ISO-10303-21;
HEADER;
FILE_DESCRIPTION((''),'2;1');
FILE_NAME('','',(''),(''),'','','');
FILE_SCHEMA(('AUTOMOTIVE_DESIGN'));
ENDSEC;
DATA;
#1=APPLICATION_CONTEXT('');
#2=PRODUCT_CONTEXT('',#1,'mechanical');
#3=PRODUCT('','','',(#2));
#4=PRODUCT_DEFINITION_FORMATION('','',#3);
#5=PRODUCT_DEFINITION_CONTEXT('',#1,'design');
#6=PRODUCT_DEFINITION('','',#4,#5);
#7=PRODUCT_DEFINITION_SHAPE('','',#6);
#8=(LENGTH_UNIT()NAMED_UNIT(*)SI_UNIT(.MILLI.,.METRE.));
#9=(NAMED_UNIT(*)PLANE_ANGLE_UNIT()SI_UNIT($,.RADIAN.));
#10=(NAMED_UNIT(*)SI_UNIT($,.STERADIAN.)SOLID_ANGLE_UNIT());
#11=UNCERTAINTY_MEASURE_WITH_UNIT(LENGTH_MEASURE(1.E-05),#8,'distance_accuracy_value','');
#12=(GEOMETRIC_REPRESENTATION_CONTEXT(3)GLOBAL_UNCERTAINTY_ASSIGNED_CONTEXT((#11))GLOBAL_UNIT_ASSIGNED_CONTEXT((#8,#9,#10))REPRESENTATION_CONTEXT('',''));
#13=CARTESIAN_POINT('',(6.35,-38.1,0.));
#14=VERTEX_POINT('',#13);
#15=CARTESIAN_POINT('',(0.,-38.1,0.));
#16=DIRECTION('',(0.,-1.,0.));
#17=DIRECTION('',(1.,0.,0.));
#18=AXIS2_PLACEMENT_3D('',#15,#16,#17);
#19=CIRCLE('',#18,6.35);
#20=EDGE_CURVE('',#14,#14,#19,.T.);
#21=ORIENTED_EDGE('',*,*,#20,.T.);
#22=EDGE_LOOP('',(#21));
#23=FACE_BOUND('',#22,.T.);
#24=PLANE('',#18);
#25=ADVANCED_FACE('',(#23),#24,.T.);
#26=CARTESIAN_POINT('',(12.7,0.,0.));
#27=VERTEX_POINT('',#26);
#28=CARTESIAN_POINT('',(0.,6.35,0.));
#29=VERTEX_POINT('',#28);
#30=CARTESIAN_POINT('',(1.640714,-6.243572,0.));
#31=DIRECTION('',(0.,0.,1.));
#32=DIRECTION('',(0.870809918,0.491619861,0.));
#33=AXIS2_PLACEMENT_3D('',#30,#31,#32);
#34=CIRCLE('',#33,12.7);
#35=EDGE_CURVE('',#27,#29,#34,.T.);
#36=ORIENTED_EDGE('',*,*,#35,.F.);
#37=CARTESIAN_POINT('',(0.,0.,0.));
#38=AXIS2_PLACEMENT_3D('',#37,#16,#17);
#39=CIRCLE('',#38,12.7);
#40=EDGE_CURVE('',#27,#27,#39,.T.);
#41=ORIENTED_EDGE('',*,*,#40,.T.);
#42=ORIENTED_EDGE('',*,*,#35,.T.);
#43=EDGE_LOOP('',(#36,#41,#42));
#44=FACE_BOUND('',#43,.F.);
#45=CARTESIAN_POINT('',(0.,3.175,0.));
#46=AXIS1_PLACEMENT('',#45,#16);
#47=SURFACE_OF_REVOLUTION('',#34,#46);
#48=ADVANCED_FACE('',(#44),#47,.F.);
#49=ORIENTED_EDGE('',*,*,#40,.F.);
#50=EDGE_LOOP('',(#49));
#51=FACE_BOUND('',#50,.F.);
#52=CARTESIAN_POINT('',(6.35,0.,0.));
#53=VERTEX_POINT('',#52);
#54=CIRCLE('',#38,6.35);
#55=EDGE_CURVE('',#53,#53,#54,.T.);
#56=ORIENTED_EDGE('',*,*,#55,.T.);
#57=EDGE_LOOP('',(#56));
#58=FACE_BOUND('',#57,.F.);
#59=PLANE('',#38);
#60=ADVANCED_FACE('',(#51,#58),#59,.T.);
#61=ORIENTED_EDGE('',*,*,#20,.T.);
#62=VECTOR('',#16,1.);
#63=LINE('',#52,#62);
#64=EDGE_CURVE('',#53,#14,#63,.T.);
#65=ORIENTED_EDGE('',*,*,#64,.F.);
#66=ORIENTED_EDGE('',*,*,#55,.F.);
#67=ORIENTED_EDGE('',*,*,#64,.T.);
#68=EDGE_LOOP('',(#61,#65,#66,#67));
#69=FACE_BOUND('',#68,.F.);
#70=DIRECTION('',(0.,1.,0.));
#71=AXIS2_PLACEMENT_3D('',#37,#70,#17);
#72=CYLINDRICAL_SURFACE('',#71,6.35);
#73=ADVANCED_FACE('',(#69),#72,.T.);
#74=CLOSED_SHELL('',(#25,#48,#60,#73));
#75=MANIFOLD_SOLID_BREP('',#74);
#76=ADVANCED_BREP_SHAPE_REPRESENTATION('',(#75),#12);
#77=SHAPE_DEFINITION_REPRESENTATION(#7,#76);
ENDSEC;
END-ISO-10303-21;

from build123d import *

# Parameters (mm, degrees)
F0_R     = 6.35
F1_DEPTH = 38.1


with BuildPart() as f1:
    # F0 (on Front) → F1 (new body)
    with BuildSketch(Plane.XZ):
        Circle(F0_R)
    extrude(amount=F1_DEPTH)

    # F2 (on Top) → F3 (revolve)
    with BuildSketch(Plane.XY):
        with BuildLine():
            Line((0, 6.35), (0, 0))
            Line((0, 0), (12.7, 0))
            ThreePointArc((12.7, 0), (7.320327, 5.115653), (0, 6.35))
        make_face()
    revolve(axis=Axis((0, 3.175, 0), (0, -1, 0)))


solid = f1.part
